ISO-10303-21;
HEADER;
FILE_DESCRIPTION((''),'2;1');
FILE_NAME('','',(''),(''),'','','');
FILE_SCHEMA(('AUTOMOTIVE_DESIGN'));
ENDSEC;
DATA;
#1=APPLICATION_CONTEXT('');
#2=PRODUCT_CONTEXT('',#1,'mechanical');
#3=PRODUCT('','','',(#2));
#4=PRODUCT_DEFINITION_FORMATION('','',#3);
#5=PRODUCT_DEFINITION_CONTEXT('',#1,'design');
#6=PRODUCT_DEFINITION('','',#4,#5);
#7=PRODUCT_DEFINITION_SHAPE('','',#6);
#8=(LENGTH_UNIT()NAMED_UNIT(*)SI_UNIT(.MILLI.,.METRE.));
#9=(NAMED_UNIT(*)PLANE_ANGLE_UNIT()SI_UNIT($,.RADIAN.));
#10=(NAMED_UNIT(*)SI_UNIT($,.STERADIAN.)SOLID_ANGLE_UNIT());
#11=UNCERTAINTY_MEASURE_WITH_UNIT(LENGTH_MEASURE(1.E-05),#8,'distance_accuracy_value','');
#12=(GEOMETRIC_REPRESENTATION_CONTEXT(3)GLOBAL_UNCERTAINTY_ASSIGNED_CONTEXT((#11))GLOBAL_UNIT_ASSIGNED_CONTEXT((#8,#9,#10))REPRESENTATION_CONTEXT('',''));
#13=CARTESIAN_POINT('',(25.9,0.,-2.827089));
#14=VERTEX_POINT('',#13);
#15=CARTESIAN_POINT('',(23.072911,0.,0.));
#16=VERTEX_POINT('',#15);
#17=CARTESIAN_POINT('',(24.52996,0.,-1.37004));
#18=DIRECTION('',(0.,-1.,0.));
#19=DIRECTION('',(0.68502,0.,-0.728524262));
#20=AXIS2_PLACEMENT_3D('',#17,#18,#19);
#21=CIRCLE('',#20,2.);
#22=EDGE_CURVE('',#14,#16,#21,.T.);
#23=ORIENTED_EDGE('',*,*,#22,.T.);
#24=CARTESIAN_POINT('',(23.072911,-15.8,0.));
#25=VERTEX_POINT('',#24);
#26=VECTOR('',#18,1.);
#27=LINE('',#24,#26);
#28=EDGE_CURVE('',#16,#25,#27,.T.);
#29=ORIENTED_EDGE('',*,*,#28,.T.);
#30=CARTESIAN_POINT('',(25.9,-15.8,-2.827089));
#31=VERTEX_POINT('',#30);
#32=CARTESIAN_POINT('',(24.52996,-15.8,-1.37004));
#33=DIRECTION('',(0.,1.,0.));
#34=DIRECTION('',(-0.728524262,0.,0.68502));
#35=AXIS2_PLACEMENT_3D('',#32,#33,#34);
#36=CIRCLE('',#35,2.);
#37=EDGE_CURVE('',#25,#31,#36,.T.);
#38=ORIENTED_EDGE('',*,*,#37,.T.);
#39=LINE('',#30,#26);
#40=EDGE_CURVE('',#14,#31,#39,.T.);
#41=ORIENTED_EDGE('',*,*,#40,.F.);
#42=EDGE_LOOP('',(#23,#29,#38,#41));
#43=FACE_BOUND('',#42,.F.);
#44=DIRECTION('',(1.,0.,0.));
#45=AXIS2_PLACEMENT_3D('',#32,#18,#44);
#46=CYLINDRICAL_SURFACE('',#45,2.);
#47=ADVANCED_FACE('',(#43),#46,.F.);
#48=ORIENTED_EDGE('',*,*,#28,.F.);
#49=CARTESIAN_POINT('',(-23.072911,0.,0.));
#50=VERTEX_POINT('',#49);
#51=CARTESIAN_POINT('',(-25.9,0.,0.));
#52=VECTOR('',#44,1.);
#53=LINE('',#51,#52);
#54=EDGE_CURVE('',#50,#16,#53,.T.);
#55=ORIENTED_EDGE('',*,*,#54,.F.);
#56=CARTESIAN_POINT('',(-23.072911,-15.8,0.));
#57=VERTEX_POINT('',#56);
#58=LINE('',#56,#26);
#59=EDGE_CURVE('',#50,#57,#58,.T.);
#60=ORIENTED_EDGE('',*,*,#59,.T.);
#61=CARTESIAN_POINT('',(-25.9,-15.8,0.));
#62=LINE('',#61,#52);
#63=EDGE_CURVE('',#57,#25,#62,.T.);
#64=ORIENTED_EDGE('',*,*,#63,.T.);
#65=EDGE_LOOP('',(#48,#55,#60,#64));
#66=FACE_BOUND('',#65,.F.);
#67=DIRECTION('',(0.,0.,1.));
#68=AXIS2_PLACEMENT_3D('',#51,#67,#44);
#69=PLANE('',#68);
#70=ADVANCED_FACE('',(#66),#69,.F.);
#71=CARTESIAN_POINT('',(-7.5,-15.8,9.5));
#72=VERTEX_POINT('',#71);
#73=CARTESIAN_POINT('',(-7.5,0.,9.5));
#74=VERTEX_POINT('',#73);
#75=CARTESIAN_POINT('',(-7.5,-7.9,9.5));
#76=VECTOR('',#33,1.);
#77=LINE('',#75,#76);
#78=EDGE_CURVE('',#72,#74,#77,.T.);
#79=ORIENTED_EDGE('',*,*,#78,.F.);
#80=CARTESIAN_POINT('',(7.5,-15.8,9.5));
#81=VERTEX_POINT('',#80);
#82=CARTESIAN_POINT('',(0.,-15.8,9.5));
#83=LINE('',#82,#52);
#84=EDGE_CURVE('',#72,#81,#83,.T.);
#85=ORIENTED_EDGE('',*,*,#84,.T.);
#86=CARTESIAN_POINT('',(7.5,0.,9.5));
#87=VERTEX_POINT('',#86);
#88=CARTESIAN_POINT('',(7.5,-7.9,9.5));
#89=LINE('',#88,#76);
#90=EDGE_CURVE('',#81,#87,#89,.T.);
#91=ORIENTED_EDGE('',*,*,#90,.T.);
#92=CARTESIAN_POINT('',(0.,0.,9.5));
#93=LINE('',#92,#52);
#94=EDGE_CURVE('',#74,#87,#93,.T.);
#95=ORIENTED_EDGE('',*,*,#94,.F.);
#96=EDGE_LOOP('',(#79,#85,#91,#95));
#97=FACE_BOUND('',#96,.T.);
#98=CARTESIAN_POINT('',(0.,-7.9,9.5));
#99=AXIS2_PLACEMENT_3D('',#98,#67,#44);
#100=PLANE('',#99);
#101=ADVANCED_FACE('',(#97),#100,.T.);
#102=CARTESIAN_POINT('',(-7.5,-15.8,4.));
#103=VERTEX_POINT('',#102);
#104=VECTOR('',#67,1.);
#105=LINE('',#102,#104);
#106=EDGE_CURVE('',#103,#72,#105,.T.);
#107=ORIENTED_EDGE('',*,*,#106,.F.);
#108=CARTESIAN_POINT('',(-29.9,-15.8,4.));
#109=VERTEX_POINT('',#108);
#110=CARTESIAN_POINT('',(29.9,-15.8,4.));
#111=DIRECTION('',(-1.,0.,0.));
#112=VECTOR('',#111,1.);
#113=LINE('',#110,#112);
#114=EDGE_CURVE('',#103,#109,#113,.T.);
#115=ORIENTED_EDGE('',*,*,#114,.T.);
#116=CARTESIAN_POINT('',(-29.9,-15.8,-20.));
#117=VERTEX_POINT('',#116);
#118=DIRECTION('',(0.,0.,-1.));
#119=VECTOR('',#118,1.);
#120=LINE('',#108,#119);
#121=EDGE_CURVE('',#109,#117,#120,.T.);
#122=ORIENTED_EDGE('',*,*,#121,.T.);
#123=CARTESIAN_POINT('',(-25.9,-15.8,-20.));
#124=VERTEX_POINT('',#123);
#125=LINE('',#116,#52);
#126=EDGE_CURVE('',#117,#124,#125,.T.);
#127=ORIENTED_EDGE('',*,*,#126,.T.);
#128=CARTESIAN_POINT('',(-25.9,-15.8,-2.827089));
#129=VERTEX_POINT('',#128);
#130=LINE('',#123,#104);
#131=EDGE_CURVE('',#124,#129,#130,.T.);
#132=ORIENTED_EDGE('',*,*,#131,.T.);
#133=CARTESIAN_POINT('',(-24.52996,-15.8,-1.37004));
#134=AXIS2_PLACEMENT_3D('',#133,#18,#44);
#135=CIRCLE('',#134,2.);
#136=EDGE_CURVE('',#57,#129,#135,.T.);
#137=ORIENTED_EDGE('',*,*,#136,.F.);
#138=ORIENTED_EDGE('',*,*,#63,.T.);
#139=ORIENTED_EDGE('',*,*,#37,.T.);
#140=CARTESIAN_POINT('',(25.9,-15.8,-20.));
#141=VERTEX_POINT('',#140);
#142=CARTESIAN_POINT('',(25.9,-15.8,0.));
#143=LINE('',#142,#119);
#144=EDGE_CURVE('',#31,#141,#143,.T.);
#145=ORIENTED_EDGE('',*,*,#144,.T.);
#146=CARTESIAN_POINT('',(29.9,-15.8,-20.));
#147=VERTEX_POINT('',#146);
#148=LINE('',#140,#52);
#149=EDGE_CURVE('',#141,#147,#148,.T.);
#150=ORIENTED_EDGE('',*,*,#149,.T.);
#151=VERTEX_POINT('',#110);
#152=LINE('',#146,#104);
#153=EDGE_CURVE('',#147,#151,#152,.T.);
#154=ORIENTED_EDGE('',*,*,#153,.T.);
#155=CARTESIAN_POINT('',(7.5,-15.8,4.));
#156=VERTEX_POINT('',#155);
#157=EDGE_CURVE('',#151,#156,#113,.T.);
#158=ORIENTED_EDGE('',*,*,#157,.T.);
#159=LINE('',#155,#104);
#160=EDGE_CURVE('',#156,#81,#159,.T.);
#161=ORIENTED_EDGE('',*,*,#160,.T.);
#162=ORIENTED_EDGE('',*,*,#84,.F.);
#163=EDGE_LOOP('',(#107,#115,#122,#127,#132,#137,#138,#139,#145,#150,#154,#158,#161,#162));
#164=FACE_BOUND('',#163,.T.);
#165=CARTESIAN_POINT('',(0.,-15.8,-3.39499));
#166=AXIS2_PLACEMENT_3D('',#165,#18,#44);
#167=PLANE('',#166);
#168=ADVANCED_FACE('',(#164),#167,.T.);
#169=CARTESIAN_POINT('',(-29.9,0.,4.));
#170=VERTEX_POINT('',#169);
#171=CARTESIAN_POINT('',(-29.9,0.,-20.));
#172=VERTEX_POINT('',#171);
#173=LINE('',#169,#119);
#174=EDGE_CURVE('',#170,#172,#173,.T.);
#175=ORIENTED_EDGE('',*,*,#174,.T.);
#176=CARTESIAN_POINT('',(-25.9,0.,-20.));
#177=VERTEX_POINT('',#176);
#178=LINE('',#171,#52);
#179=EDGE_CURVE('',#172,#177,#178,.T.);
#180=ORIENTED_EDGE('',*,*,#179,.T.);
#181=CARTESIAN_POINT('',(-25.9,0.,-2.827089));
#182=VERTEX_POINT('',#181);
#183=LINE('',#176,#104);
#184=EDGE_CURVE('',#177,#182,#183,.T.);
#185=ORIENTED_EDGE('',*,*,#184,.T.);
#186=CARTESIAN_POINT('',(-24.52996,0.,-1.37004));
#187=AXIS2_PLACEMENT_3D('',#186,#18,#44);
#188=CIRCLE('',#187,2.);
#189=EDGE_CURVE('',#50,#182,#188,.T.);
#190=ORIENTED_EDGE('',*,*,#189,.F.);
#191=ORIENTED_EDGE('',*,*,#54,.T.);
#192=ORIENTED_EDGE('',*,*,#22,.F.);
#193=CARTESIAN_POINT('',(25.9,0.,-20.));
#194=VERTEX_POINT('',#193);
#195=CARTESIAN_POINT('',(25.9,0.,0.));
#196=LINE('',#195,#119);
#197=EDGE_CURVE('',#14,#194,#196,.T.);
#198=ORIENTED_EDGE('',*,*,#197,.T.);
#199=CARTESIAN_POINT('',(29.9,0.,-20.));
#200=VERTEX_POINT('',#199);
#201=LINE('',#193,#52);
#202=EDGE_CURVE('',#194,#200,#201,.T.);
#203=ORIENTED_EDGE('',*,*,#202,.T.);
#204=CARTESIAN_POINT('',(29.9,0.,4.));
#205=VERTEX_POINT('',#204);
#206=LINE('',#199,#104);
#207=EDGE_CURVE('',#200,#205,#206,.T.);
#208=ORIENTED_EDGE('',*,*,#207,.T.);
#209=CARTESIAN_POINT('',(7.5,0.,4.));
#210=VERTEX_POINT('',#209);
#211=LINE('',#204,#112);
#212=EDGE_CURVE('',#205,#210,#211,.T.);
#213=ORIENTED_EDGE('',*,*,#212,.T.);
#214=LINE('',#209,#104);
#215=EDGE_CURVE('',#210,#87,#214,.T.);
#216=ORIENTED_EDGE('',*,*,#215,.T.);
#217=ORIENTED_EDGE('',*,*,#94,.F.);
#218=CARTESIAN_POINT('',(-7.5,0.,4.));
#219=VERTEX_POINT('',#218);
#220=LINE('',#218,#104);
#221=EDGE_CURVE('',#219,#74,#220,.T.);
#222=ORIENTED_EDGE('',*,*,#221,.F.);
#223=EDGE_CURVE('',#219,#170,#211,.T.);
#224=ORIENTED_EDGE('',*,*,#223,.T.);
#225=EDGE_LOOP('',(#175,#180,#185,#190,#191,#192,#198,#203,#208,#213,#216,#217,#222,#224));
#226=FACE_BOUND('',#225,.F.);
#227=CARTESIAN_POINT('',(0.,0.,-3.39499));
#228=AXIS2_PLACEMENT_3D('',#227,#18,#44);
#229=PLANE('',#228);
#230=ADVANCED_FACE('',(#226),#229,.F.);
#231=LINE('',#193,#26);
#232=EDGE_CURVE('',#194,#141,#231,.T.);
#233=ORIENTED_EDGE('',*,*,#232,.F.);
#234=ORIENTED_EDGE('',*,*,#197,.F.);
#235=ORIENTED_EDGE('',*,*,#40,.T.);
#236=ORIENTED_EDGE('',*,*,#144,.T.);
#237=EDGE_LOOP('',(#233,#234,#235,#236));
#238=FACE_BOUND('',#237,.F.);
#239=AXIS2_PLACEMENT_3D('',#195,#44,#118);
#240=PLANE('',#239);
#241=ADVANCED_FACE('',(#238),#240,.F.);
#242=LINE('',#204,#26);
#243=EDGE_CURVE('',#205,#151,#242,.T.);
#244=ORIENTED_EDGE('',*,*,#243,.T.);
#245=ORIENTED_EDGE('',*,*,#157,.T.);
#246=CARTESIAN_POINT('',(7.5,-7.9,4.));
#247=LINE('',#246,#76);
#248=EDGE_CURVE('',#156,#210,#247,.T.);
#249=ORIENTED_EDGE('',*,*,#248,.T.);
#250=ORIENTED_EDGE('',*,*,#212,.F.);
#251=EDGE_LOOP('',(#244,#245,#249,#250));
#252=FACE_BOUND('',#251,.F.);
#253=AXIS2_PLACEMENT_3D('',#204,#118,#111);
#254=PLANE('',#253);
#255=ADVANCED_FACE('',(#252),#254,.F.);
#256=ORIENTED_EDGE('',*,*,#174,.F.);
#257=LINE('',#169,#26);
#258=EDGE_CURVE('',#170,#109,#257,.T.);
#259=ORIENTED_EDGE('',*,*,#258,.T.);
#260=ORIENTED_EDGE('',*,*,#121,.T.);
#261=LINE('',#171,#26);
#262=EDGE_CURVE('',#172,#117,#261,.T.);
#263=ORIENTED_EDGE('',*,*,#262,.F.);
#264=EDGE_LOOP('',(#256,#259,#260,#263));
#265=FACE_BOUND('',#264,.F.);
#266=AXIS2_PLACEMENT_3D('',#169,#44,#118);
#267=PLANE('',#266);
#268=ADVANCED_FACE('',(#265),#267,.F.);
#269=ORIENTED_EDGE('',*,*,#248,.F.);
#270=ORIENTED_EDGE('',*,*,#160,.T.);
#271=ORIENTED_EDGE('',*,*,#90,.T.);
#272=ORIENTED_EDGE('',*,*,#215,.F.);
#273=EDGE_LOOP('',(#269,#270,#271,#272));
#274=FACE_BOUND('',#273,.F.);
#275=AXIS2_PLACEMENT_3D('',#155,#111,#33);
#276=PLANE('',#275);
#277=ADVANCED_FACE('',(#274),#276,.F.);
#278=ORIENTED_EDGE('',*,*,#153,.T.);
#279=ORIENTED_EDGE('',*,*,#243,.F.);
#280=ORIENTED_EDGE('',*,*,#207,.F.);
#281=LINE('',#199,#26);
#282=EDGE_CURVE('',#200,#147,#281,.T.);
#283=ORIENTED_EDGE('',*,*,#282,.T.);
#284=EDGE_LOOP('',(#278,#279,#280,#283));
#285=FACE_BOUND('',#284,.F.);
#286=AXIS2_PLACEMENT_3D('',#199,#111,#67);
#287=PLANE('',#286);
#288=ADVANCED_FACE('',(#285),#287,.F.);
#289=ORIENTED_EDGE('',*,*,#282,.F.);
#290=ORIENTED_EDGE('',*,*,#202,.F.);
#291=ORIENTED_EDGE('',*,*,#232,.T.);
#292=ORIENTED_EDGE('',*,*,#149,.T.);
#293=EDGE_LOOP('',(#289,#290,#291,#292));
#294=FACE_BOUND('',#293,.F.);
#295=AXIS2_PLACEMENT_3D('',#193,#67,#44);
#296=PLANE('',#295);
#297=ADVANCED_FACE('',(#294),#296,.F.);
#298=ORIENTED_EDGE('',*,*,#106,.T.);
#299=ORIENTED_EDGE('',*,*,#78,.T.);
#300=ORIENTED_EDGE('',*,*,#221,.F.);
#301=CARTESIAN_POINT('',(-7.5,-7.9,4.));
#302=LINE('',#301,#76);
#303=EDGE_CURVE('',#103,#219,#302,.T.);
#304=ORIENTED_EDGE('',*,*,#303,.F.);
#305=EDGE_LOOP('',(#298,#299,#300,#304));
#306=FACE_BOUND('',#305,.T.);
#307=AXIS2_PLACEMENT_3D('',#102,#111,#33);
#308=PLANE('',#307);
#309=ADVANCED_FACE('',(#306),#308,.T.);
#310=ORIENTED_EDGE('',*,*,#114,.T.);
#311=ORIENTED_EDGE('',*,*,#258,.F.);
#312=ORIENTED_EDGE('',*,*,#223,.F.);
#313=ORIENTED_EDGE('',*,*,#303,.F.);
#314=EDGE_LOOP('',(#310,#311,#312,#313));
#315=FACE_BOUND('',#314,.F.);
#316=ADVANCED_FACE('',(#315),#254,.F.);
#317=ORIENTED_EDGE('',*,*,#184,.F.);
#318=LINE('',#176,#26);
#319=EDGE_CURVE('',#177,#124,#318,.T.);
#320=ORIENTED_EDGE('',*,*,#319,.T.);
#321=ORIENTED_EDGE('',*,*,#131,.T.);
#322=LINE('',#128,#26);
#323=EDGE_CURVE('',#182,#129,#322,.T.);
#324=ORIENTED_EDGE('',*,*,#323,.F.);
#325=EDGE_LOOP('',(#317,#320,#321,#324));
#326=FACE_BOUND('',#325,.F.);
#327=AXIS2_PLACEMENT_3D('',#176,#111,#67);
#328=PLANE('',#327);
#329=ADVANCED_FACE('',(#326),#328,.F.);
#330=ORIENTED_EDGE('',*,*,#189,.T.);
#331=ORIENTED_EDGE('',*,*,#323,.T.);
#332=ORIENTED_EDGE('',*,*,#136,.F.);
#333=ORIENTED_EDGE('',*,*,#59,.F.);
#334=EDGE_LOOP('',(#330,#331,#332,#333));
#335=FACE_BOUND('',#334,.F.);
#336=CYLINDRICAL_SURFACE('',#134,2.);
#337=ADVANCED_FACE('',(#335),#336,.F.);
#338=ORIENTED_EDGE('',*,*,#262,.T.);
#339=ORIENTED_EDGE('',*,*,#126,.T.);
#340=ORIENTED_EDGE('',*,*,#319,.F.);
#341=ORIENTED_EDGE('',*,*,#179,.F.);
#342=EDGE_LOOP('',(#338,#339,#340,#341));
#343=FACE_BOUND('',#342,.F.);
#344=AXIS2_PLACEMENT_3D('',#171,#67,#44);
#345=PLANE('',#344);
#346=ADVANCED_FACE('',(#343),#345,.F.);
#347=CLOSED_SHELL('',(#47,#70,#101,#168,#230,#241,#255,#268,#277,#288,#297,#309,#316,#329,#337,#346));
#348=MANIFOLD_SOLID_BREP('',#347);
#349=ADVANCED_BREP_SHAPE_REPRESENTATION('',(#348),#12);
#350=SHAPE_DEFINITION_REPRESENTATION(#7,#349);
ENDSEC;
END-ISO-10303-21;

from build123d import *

# Parameters (mm, degrees)
F1_DEPTH = 15.8
F2_W     = 15
F2_H     = 15.8
F3_DEPTH = 5.5
F4_R     = 2
F5_DEPTH = 15.801


with BuildPart() as f1:
    # F0 (on Front) → F1 (new body)
    with BuildSketch(Plane.XZ):
        Polygon((-25.9, -20), (-25.9, 0), (25.9, 0), (25.9, -20), (29.9, -20), (29.9, 4), (-29.9, 4), (-29.9, -20), align=None)
    extrude(amount=F1_DEPTH)

    # F2 (on face) → F3 (join)
    with BuildSketch(Plane.XY.offset(4)):
        with Locations((0, -7.9)):
            Rectangle(F2_W, F2_H)
    extrude(amount=F3_DEPTH)

    # F4 (on face) → F5 (cut, through all)
    with BuildSketch(Plane.XZ.offset(15.8)):
        with Locations((-24.52996, -1.37004)):
            Circle(F4_R)
        with Locations((24.52996, -1.37004)):
            Circle(F4_R)
    extrude(amount=-F5_DEPTH, mode=Mode.SUBTRACT)


solid = f1.part
